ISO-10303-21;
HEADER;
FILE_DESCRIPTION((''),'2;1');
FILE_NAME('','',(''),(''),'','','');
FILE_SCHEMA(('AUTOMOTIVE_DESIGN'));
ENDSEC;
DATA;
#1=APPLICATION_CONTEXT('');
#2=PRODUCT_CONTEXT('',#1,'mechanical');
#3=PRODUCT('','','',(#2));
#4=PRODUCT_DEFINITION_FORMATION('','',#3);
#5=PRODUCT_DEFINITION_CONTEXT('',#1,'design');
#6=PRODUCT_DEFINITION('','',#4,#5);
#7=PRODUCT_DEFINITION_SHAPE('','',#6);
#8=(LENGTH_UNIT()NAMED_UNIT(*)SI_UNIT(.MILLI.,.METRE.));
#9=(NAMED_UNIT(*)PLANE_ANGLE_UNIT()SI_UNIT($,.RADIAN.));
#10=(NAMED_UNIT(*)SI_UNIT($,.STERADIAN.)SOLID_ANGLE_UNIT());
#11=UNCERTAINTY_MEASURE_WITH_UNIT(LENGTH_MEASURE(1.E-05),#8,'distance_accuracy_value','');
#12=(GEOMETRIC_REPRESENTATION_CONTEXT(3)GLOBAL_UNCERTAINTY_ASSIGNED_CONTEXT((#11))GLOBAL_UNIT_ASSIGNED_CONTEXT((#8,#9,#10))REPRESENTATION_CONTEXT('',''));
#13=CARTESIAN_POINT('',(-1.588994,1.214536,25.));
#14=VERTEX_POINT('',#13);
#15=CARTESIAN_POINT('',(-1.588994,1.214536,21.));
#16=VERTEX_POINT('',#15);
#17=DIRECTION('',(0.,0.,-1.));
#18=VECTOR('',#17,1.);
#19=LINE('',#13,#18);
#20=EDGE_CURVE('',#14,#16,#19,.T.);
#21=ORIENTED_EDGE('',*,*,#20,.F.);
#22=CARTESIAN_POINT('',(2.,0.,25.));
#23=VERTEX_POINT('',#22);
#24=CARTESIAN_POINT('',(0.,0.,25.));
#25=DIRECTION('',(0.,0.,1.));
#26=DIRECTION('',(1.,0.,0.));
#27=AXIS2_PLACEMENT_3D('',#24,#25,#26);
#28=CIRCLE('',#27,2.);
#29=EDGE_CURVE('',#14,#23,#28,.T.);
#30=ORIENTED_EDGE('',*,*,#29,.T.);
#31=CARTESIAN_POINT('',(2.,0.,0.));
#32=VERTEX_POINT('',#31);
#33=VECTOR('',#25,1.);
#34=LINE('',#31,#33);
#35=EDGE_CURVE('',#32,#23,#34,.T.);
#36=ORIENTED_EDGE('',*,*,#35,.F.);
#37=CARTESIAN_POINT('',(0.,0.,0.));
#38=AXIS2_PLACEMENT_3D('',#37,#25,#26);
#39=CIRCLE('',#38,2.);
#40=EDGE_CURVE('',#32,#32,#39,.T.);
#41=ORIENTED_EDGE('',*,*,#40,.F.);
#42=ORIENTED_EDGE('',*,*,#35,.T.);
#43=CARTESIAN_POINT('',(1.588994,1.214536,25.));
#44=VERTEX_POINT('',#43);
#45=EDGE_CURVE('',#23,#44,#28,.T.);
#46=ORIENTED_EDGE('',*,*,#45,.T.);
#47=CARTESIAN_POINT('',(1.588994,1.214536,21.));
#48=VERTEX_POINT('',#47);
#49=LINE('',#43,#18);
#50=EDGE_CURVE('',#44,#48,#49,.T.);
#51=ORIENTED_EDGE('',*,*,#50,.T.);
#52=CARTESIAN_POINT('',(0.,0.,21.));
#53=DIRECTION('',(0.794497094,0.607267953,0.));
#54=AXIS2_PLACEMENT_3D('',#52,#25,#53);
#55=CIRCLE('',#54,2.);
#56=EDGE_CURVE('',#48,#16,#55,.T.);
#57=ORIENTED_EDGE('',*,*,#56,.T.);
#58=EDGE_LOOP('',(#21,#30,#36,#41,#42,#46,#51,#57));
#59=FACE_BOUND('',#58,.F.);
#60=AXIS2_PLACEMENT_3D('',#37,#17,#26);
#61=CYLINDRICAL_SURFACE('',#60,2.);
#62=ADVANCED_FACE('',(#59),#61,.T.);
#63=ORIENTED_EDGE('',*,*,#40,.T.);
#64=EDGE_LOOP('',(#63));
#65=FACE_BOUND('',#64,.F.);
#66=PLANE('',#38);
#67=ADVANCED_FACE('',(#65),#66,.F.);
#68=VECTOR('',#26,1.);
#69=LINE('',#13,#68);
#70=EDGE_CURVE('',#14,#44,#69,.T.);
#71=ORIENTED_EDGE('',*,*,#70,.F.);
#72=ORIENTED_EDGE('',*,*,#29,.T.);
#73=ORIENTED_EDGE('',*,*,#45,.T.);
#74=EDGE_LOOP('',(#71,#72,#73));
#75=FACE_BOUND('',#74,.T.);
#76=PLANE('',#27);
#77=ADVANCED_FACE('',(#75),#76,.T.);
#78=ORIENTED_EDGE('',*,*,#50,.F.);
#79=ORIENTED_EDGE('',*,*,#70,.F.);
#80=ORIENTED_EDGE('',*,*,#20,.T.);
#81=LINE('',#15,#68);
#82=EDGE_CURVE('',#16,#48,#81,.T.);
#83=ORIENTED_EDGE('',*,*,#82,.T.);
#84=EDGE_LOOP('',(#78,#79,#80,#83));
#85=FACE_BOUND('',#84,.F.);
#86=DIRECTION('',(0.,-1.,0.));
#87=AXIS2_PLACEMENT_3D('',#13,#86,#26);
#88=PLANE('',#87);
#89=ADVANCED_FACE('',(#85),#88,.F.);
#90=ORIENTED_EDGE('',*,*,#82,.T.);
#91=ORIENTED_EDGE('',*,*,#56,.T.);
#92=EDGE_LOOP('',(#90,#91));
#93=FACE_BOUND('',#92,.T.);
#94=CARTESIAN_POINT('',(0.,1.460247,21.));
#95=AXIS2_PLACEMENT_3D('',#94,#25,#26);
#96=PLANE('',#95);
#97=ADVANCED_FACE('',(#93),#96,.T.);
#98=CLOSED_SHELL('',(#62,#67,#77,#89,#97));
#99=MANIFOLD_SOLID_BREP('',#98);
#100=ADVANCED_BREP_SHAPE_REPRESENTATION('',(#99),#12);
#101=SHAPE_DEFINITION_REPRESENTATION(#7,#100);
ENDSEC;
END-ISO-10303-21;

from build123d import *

# Parameters (mm, degrees)
F0_R     = 2
F1_DEPTH = 25
F3_DEPTH = 4


with BuildPart() as f1:
    # F0 (on Top) → F1 (new body)
    with BuildSketch(Plane.XY):
        Circle(F0_R)
    extrude(amount=F1_DEPTH)

    # F2 (on face) → F3 (cut)
    with BuildSketch(Plane.XY.offset(25)):
        with BuildLine():
            ThreePointArc((1.588994, 1.214536), (0, 2), (-1.588994, 1.214536))
            Line((-1.588994, 1.214536), (1.588994, 1.214536))
        make_face()
    extrude(amount=-F3_DEPTH, mode=Mode.SUBTRACT)


solid = f1.part
